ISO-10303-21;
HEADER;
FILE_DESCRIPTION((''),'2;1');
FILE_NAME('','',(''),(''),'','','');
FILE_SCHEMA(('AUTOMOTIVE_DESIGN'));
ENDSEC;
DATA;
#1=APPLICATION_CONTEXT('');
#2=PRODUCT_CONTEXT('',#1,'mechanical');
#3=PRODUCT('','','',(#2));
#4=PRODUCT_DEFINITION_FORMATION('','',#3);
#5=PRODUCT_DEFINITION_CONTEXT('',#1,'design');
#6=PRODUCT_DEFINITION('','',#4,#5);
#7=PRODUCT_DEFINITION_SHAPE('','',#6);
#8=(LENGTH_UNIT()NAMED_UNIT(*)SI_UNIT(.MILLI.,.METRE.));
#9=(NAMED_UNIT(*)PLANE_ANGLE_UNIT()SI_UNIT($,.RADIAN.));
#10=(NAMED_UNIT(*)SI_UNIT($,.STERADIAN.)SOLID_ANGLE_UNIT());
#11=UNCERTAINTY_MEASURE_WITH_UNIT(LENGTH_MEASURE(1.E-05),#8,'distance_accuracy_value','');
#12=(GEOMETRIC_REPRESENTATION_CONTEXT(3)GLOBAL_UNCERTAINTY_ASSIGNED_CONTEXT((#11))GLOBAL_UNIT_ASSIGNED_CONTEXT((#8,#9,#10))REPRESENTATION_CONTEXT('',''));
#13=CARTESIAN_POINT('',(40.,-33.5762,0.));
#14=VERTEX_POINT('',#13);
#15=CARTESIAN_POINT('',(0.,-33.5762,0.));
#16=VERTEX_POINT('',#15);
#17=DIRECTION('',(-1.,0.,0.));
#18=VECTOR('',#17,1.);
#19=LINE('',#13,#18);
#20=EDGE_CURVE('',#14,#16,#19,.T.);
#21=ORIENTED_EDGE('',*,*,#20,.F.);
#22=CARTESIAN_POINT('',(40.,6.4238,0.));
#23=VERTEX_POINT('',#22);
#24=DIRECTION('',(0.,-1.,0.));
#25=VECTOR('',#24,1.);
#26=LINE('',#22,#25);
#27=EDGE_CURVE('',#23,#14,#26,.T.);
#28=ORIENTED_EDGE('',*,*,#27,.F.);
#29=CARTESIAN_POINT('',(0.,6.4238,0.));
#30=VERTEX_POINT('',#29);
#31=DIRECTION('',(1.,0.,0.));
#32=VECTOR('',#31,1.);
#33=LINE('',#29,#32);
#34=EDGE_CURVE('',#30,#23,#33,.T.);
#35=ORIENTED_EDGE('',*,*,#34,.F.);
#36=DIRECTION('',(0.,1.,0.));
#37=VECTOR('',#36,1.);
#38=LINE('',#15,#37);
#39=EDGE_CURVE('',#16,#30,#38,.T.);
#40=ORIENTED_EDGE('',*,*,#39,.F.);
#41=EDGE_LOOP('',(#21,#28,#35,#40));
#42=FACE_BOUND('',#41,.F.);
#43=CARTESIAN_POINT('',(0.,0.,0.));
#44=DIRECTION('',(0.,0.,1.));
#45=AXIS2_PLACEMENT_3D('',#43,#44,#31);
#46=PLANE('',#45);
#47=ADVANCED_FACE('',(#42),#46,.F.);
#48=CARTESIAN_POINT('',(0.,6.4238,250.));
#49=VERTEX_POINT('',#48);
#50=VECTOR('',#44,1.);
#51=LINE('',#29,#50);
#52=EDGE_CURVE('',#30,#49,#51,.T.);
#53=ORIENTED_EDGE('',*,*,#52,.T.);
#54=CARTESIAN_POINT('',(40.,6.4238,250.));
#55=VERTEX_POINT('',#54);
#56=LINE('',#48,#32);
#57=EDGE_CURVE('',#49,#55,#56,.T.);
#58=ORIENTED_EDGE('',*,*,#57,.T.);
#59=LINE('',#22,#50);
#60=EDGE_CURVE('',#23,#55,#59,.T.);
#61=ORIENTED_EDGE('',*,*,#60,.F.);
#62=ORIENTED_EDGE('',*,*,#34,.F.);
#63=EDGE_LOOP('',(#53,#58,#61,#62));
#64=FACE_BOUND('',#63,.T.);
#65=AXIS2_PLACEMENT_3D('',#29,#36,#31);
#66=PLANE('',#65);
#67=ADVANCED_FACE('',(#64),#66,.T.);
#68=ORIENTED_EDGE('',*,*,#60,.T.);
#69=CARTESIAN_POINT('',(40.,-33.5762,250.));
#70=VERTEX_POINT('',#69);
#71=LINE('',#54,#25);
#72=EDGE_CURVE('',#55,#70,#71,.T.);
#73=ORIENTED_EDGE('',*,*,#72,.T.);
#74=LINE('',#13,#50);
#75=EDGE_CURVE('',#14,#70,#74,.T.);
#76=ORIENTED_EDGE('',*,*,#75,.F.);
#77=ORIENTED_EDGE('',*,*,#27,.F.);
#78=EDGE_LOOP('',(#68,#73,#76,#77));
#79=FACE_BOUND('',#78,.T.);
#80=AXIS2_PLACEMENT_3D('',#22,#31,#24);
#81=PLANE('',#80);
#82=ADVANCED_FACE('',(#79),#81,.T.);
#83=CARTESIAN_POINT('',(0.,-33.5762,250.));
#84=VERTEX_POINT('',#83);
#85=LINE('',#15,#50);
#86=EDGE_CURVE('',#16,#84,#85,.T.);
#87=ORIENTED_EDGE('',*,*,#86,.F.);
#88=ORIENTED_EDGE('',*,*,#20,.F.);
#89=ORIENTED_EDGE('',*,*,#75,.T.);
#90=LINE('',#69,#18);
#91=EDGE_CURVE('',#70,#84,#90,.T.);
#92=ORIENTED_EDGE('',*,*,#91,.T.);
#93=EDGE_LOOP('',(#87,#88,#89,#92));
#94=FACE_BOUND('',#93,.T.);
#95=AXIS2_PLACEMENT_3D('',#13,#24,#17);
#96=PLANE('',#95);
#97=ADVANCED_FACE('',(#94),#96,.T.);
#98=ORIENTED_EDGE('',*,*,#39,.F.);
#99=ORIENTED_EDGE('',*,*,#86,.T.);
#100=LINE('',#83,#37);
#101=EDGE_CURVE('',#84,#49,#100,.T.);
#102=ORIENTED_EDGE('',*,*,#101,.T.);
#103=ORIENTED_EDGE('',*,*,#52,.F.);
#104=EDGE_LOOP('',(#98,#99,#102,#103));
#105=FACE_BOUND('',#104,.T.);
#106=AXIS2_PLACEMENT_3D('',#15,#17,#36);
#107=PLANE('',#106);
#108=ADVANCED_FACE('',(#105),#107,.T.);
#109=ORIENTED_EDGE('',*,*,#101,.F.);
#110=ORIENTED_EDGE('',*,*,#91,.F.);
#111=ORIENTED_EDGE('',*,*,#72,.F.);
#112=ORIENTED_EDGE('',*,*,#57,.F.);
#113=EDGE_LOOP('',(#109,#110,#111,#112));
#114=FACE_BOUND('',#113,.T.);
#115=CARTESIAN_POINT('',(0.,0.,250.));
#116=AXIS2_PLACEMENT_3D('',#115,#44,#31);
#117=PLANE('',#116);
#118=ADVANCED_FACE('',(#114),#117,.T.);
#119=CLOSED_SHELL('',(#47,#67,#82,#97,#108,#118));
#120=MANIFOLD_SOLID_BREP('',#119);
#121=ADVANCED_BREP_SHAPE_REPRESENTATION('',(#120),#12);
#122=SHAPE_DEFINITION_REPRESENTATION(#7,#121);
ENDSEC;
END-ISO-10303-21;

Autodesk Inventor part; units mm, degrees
ref_plane "YZ Plane" through (0, 0, 0) normal (1, 0, 0) x (0, 1, 0)
ref_plane "XZ Plane" through (0, 0, 0) normal (0, 1, 0) x (-1, 0, 0)
ref_plane "XY Plane" through (0, 0, 0) normal (0, 0, 1) x (1, 0, 0)
sketch "Эскиз1" plane through (0, 0, 0) normal (0, 0, 1) x (1, 0, 0)
  line L0 (0, 6.4238) -> (40, 6.4238)
  line L1 (40, 6.4238) -> (40, -33.5762)
  line L2 (40, -33.5762) -> (0, -33.5762)
  line L3 (0, -33.5762) -> (0, 6.4238)
  point P0 (0, 0)
  dimension "d0" = 40
  dimension "d1" = 40
extrude "Выдавливание1" add sketch "Эскиз1" along normal blind 250
properties part number "Кабельный канал 40х40х60"
